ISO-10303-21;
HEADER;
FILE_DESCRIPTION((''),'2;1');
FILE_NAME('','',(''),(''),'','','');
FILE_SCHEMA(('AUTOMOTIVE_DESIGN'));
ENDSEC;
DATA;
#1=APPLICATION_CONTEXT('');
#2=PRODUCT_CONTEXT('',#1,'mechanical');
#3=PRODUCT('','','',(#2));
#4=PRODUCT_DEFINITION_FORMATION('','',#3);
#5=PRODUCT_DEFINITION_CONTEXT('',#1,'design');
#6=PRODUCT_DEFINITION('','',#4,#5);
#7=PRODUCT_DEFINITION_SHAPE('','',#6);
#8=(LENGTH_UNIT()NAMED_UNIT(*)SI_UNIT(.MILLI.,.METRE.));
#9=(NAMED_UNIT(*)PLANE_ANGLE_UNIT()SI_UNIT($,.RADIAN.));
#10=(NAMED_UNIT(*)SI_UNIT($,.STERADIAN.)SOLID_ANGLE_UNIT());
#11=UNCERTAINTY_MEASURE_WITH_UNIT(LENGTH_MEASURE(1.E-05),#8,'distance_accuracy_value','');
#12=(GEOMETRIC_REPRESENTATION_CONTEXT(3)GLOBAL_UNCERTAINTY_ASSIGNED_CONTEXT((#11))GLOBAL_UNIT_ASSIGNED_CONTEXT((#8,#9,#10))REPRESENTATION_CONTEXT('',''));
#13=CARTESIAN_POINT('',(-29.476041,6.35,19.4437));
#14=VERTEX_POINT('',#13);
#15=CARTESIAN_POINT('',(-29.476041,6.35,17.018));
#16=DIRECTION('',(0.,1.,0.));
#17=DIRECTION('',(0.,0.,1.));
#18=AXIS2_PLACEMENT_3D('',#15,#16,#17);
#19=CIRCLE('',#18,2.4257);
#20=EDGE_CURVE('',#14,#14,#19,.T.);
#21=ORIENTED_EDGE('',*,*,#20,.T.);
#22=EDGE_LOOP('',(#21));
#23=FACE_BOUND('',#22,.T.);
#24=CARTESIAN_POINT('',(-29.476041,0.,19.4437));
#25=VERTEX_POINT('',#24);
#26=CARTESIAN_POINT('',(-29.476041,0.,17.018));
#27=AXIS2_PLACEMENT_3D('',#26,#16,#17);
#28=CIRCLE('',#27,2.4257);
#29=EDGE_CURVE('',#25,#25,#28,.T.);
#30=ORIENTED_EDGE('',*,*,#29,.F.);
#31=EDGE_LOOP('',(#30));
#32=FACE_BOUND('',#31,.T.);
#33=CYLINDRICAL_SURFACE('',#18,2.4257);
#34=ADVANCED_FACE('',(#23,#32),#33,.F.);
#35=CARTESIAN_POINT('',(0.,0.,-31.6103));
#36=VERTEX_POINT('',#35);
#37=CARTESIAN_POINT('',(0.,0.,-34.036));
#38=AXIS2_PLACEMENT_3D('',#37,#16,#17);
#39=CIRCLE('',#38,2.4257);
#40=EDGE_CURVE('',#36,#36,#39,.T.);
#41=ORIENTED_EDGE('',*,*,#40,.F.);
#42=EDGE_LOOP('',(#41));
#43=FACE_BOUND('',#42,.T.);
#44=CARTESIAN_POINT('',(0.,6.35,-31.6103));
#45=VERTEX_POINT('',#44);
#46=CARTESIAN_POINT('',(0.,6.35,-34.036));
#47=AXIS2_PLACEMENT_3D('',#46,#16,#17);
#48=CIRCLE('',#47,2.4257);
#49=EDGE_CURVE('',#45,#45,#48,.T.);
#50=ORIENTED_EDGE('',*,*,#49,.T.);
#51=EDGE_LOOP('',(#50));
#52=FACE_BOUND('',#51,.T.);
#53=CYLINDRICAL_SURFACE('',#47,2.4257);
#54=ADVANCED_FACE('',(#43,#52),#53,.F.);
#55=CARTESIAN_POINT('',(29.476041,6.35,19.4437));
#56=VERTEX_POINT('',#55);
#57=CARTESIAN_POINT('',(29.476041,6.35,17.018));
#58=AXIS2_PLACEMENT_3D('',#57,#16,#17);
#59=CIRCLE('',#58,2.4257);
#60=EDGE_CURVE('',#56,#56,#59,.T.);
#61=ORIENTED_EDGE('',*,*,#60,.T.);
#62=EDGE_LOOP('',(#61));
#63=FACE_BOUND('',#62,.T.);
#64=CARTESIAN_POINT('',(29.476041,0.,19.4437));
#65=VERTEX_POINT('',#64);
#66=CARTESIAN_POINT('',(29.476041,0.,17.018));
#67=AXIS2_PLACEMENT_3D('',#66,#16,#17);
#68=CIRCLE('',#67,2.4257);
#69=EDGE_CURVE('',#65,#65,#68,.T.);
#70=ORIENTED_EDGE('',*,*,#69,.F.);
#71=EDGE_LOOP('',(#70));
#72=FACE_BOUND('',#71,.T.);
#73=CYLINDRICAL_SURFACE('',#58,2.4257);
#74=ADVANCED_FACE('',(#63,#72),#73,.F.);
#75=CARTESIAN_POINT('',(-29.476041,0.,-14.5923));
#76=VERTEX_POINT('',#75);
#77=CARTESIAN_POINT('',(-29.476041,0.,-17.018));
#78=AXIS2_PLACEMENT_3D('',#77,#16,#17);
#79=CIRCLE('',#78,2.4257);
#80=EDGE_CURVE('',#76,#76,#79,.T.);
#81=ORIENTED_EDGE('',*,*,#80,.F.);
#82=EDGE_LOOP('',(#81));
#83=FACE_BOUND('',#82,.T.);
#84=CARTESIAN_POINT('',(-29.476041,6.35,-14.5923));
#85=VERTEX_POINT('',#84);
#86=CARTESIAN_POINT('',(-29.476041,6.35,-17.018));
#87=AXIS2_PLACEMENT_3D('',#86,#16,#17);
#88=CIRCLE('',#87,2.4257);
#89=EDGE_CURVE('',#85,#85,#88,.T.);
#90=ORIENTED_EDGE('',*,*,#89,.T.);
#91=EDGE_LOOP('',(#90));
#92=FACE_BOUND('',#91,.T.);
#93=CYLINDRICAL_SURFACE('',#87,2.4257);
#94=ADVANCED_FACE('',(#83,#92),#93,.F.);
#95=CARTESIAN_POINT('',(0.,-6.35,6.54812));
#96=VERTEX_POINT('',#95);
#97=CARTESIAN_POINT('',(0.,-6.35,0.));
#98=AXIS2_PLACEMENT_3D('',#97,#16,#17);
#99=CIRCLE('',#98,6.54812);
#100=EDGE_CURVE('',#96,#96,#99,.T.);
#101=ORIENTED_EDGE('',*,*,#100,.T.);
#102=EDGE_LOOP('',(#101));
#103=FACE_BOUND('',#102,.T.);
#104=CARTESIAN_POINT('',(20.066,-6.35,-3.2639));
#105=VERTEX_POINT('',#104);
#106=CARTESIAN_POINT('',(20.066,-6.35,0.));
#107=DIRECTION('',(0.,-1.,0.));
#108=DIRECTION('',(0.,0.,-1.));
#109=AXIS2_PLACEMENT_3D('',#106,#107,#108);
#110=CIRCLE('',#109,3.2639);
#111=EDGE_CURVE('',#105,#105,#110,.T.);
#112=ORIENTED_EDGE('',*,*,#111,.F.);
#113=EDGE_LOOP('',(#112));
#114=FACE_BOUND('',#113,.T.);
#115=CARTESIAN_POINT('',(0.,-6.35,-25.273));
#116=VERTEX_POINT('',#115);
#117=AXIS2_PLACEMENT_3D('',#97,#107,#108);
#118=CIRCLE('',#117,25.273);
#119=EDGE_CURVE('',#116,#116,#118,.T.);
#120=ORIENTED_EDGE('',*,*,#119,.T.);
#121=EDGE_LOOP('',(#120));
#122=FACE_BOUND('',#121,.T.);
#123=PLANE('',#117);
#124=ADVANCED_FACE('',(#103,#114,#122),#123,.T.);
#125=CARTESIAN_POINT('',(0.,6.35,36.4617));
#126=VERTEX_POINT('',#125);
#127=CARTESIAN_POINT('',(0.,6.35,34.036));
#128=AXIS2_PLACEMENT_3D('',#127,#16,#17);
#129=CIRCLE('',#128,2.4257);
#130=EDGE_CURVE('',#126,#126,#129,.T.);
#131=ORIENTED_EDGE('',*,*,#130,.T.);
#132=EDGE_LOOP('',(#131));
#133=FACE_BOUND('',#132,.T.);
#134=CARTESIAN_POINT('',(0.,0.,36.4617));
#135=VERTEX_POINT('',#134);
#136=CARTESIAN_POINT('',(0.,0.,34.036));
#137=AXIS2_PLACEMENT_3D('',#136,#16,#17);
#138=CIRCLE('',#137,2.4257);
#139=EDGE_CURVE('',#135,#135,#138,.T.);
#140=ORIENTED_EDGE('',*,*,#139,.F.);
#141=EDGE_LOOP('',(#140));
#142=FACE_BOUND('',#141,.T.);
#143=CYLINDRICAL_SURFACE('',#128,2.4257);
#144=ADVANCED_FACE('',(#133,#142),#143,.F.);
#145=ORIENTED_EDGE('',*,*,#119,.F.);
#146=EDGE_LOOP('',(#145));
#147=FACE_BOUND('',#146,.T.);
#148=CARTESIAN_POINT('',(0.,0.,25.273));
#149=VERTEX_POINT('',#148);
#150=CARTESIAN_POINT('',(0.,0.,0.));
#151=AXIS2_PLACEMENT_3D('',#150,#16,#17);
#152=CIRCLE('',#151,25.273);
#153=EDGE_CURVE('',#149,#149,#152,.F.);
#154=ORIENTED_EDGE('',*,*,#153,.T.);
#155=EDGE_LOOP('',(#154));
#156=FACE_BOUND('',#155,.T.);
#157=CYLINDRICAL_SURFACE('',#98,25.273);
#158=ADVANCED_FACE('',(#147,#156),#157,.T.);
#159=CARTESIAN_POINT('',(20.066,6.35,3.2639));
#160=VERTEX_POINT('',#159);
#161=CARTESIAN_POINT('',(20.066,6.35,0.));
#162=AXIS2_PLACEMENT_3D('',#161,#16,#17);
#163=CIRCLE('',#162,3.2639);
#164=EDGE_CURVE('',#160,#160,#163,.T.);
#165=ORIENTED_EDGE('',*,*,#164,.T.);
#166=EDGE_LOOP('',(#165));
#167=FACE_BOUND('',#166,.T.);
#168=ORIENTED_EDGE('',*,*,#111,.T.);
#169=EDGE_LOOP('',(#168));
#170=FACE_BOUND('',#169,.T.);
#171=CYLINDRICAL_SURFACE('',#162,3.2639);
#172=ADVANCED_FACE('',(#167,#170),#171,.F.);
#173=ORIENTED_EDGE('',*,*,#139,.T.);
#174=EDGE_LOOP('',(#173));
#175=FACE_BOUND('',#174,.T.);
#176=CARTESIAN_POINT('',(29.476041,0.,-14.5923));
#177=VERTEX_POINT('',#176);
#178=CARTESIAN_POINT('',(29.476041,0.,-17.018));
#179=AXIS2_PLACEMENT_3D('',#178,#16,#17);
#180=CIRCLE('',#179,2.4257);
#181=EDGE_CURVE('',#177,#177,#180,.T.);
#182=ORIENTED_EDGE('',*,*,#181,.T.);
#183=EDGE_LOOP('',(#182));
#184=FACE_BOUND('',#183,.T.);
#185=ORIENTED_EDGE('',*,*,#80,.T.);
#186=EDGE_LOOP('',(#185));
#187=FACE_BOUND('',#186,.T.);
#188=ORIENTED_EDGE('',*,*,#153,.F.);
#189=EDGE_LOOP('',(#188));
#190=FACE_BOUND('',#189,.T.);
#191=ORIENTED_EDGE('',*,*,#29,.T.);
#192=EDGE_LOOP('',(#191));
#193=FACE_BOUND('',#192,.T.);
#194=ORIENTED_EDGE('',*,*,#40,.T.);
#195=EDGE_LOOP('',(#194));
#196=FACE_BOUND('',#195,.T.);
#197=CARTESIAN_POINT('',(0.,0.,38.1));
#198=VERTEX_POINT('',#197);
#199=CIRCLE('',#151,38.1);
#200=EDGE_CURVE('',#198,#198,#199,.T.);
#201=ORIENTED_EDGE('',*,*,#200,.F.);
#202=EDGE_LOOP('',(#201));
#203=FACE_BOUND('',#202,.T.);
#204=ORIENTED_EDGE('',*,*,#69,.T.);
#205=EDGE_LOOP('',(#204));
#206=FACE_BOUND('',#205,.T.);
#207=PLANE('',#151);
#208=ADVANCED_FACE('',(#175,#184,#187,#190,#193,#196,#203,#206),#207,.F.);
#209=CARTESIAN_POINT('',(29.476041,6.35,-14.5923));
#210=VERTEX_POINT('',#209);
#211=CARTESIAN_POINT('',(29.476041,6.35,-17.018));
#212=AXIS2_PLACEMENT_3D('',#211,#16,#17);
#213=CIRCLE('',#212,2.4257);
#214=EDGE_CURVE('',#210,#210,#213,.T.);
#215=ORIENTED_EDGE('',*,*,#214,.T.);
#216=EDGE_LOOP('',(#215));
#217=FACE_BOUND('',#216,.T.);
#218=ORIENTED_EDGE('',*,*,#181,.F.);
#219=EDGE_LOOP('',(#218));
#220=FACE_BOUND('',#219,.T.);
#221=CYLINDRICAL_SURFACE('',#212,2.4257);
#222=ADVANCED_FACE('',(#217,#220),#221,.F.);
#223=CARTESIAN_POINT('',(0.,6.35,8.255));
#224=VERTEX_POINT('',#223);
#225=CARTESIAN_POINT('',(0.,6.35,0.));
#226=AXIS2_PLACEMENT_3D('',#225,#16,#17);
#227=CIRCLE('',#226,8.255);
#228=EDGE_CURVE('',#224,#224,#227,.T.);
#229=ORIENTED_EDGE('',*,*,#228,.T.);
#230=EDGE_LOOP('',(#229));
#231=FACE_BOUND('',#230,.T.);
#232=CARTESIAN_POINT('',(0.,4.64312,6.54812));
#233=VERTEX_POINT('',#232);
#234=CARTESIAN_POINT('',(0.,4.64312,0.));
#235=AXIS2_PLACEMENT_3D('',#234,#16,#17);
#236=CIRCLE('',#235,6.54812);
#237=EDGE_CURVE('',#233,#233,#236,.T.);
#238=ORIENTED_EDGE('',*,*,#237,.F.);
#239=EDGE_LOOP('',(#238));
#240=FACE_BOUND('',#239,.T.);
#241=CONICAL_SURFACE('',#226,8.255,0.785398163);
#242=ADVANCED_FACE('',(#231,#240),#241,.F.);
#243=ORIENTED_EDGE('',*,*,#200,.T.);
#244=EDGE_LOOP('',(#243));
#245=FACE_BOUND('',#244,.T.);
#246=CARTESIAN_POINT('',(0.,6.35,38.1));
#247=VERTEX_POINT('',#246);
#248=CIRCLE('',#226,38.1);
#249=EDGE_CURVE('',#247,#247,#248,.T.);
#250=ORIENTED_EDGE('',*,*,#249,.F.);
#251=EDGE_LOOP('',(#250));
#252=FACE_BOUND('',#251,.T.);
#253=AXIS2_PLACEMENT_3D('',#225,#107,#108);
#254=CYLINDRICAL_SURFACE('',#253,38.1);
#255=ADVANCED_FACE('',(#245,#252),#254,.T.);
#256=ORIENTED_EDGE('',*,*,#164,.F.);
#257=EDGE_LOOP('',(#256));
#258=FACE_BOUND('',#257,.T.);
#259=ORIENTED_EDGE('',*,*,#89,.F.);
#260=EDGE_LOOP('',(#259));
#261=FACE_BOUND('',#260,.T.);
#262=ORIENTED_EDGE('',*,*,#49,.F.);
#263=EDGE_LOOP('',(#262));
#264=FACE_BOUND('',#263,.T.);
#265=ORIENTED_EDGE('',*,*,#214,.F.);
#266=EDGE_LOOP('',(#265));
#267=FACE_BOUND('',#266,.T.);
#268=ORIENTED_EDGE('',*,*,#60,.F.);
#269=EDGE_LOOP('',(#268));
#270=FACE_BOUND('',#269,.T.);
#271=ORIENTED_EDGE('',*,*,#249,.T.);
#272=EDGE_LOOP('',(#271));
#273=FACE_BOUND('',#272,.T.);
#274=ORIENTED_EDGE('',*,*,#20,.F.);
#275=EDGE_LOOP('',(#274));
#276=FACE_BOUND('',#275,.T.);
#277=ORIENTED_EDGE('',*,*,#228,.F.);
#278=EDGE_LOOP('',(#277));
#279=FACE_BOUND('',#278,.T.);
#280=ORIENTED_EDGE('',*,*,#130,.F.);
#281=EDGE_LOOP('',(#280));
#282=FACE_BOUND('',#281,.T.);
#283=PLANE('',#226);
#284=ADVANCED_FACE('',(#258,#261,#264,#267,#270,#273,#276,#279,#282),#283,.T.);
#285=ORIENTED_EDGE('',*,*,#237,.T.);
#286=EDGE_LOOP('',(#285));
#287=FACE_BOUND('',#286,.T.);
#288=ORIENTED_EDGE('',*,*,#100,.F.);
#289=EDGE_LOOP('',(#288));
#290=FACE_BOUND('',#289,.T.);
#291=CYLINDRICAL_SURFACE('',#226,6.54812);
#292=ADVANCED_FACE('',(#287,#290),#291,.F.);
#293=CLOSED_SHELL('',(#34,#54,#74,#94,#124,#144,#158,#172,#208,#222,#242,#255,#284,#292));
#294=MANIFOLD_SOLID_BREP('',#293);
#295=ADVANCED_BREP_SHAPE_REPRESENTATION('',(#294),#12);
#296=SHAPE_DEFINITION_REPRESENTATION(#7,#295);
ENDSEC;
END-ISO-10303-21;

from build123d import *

# Parameters (mm, degrees)
SKETCH1_R                          = 38.1
BOSS_EXTRUDE1_DEPTH                = 6.35
SKETCH2_R                          = 25.273
BOSS_EXTRUDE2_DEPTH                = 6.35
F_11_0_191_DIAMETER_HOLE1_D        = 4.8514
CIRPATTERN1_COUNT                  = 6
F_9_16_18_TAPPED_HOLE1_D           = 13.09624
F_9_16_18_TAPPED_HOLE1_CSINK_D     = 16.51
F_9_16_18_TAPPED_HOLE1_CSINK_ANGLE = 90
F_0_257_DIAMETER_HOLE1_D           = 6.5278


with BuildPart() as part:
    # Sketch1 → Boss-Extrude1 (new body)
    with BuildSketch(Plane(origin=(0, 0, 0), x_dir=(1, 0, 0), z_dir=(0, 1, 0))):
        with Locations(Location((0, 0, 0), (0, 0, 270))):
            Circle(SKETCH1_R)
    extrude(amount=BOSS_EXTRUDE1_DEPTH)

    # Sketch2 → Boss-Extrude2 (add)
    with BuildSketch(Plane(origin=(0, 0, 0), x_dir=(-1, 0, 0), z_dir=(0, -1, 0))):
        with Locations(Location((0, 0, 0), (0, 0, 270))):
            Circle(SKETCH2_R)
    extrude(amount=BOSS_EXTRUDE2_DEPTH)

    # #11 (0.191) Diameter Hole1 (through all)
    with Locations(Plane(origin=(0, 6.35, 0), x_dir=(1, 0, 0), z_dir=(0, 1, 0))):
        with Locations((0, 34.036)):
            f_11_0_191_diameter_hole1 = Hole(F_11_0_191_DIAMETER_HOLE1_D / 2)

    # CirPattern1: #11 (0.191) Diameter Hole1 ×6 about axis
    cirpattern1_axis = Axis((0, 0, 0), (0, 1, 0))
    for i in range(1, CIRPATTERN1_COUNT):
        add(f_11_0_191_diameter_hole1.rotate(cirpattern1_axis, i * 360 / CIRPATTERN1_COUNT), mode=Mode.SUBTRACT)

    # 9/16-18 Tapped Hole1 (through all)
    with Locations(Plane(origin=(0, 6.35, 0), x_dir=(1, 0, 0), z_dir=(0, 1, 0))):
        with Locations((0, 0)):
            CounterSinkHole(F_9_16_18_TAPPED_HOLE1_D / 2, F_9_16_18_TAPPED_HOLE1_CSINK_D / 2, counter_sink_angle=F_9_16_18_TAPPED_HOLE1_CSINK_ANGLE)

    # F (0.257) Diameter Hole1 (through all)
    with Locations(Plane(origin=(0, 6.35, 0), x_dir=(1, 0, 0), z_dir=(0, 1, 0))):
        with Locations((20.066, 0)):
            Hole(F_0_257_DIAMETER_HOLE1_D / 2)


solid = part.part
